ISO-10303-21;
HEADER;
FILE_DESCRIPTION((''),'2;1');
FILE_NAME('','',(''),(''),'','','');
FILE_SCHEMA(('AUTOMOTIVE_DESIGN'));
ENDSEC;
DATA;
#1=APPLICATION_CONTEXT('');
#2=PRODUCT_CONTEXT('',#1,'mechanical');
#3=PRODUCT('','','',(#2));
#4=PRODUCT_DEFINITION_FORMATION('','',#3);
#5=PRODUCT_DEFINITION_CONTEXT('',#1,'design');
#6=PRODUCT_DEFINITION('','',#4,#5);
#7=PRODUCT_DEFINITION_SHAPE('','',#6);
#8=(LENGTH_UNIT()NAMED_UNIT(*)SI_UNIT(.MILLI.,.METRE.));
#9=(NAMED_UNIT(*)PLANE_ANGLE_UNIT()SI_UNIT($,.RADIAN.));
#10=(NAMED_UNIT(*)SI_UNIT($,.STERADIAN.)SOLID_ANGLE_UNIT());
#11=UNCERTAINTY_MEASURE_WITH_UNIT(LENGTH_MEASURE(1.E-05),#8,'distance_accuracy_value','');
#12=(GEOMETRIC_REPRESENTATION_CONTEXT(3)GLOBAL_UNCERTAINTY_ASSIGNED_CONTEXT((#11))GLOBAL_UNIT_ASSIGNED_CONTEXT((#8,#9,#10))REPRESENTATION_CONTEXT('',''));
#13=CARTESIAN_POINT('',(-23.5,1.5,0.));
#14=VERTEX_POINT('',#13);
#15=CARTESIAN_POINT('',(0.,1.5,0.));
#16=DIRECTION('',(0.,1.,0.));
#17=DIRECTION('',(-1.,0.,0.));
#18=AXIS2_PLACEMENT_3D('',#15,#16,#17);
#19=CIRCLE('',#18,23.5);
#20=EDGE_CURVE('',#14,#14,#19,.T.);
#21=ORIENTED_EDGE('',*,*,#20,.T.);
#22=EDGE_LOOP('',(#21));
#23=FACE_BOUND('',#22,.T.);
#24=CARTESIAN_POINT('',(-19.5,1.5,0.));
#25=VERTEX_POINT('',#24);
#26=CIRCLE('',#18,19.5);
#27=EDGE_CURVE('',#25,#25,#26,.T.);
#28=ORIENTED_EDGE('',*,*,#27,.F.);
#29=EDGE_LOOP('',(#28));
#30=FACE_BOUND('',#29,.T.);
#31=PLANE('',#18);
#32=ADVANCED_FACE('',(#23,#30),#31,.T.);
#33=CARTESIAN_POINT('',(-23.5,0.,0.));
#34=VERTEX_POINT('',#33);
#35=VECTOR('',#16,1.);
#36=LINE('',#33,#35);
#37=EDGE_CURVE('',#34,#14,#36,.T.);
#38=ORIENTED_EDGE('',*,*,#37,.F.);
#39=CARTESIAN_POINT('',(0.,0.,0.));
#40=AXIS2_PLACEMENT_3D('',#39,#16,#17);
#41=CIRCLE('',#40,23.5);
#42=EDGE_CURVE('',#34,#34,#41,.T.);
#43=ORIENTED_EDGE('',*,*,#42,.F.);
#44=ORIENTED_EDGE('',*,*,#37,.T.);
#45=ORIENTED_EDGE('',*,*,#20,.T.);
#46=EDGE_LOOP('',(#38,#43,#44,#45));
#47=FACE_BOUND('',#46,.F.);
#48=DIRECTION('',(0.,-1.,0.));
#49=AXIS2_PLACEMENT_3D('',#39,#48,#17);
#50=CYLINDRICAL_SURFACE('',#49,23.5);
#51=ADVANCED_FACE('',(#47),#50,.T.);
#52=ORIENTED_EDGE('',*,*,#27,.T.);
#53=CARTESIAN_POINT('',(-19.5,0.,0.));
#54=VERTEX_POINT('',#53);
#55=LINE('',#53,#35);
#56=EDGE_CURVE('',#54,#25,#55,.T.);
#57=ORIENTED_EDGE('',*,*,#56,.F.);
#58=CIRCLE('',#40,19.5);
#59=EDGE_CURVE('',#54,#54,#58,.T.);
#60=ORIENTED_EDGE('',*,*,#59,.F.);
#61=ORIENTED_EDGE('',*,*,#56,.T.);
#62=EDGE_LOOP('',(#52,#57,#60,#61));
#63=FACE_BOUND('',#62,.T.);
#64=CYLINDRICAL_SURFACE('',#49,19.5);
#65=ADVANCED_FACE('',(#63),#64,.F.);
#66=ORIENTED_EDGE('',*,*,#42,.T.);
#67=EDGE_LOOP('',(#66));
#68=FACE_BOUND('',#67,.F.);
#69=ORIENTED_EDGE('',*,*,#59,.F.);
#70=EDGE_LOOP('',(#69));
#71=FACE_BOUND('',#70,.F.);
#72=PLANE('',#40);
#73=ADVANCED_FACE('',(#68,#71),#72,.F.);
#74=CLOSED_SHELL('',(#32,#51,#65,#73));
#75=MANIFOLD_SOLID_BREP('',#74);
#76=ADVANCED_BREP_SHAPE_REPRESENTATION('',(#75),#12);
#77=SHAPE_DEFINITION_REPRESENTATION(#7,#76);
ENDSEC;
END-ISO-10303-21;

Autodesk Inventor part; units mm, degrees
ref_plane "YZ Plane" through (0, 0, 0) normal (1, 0, 0) x (0, 1, 0)
ref_plane "XZ Plane" through (0, 0, 0) normal (0, 1, 0) x (-1, 0, 0)
ref_plane "XY Plane" through (0, 0, 0) normal (0, 0, 1) x (1, 0, 0)
sketch "Sketch1" plane through (0, 0, 0) normal (0, 1, 0) x (-1, 0, 0)
  circle A0 centre (0, 0) radius 19.5
  circle A1 centre (0, 0) radius 23.5
  dimension "d0" = 39
  dimension "d1" = 4
extrude "Extrusion1" add sketch "Sketch1" along normal blind 1.5
properties part number "OutputBearingDistanceRing"
